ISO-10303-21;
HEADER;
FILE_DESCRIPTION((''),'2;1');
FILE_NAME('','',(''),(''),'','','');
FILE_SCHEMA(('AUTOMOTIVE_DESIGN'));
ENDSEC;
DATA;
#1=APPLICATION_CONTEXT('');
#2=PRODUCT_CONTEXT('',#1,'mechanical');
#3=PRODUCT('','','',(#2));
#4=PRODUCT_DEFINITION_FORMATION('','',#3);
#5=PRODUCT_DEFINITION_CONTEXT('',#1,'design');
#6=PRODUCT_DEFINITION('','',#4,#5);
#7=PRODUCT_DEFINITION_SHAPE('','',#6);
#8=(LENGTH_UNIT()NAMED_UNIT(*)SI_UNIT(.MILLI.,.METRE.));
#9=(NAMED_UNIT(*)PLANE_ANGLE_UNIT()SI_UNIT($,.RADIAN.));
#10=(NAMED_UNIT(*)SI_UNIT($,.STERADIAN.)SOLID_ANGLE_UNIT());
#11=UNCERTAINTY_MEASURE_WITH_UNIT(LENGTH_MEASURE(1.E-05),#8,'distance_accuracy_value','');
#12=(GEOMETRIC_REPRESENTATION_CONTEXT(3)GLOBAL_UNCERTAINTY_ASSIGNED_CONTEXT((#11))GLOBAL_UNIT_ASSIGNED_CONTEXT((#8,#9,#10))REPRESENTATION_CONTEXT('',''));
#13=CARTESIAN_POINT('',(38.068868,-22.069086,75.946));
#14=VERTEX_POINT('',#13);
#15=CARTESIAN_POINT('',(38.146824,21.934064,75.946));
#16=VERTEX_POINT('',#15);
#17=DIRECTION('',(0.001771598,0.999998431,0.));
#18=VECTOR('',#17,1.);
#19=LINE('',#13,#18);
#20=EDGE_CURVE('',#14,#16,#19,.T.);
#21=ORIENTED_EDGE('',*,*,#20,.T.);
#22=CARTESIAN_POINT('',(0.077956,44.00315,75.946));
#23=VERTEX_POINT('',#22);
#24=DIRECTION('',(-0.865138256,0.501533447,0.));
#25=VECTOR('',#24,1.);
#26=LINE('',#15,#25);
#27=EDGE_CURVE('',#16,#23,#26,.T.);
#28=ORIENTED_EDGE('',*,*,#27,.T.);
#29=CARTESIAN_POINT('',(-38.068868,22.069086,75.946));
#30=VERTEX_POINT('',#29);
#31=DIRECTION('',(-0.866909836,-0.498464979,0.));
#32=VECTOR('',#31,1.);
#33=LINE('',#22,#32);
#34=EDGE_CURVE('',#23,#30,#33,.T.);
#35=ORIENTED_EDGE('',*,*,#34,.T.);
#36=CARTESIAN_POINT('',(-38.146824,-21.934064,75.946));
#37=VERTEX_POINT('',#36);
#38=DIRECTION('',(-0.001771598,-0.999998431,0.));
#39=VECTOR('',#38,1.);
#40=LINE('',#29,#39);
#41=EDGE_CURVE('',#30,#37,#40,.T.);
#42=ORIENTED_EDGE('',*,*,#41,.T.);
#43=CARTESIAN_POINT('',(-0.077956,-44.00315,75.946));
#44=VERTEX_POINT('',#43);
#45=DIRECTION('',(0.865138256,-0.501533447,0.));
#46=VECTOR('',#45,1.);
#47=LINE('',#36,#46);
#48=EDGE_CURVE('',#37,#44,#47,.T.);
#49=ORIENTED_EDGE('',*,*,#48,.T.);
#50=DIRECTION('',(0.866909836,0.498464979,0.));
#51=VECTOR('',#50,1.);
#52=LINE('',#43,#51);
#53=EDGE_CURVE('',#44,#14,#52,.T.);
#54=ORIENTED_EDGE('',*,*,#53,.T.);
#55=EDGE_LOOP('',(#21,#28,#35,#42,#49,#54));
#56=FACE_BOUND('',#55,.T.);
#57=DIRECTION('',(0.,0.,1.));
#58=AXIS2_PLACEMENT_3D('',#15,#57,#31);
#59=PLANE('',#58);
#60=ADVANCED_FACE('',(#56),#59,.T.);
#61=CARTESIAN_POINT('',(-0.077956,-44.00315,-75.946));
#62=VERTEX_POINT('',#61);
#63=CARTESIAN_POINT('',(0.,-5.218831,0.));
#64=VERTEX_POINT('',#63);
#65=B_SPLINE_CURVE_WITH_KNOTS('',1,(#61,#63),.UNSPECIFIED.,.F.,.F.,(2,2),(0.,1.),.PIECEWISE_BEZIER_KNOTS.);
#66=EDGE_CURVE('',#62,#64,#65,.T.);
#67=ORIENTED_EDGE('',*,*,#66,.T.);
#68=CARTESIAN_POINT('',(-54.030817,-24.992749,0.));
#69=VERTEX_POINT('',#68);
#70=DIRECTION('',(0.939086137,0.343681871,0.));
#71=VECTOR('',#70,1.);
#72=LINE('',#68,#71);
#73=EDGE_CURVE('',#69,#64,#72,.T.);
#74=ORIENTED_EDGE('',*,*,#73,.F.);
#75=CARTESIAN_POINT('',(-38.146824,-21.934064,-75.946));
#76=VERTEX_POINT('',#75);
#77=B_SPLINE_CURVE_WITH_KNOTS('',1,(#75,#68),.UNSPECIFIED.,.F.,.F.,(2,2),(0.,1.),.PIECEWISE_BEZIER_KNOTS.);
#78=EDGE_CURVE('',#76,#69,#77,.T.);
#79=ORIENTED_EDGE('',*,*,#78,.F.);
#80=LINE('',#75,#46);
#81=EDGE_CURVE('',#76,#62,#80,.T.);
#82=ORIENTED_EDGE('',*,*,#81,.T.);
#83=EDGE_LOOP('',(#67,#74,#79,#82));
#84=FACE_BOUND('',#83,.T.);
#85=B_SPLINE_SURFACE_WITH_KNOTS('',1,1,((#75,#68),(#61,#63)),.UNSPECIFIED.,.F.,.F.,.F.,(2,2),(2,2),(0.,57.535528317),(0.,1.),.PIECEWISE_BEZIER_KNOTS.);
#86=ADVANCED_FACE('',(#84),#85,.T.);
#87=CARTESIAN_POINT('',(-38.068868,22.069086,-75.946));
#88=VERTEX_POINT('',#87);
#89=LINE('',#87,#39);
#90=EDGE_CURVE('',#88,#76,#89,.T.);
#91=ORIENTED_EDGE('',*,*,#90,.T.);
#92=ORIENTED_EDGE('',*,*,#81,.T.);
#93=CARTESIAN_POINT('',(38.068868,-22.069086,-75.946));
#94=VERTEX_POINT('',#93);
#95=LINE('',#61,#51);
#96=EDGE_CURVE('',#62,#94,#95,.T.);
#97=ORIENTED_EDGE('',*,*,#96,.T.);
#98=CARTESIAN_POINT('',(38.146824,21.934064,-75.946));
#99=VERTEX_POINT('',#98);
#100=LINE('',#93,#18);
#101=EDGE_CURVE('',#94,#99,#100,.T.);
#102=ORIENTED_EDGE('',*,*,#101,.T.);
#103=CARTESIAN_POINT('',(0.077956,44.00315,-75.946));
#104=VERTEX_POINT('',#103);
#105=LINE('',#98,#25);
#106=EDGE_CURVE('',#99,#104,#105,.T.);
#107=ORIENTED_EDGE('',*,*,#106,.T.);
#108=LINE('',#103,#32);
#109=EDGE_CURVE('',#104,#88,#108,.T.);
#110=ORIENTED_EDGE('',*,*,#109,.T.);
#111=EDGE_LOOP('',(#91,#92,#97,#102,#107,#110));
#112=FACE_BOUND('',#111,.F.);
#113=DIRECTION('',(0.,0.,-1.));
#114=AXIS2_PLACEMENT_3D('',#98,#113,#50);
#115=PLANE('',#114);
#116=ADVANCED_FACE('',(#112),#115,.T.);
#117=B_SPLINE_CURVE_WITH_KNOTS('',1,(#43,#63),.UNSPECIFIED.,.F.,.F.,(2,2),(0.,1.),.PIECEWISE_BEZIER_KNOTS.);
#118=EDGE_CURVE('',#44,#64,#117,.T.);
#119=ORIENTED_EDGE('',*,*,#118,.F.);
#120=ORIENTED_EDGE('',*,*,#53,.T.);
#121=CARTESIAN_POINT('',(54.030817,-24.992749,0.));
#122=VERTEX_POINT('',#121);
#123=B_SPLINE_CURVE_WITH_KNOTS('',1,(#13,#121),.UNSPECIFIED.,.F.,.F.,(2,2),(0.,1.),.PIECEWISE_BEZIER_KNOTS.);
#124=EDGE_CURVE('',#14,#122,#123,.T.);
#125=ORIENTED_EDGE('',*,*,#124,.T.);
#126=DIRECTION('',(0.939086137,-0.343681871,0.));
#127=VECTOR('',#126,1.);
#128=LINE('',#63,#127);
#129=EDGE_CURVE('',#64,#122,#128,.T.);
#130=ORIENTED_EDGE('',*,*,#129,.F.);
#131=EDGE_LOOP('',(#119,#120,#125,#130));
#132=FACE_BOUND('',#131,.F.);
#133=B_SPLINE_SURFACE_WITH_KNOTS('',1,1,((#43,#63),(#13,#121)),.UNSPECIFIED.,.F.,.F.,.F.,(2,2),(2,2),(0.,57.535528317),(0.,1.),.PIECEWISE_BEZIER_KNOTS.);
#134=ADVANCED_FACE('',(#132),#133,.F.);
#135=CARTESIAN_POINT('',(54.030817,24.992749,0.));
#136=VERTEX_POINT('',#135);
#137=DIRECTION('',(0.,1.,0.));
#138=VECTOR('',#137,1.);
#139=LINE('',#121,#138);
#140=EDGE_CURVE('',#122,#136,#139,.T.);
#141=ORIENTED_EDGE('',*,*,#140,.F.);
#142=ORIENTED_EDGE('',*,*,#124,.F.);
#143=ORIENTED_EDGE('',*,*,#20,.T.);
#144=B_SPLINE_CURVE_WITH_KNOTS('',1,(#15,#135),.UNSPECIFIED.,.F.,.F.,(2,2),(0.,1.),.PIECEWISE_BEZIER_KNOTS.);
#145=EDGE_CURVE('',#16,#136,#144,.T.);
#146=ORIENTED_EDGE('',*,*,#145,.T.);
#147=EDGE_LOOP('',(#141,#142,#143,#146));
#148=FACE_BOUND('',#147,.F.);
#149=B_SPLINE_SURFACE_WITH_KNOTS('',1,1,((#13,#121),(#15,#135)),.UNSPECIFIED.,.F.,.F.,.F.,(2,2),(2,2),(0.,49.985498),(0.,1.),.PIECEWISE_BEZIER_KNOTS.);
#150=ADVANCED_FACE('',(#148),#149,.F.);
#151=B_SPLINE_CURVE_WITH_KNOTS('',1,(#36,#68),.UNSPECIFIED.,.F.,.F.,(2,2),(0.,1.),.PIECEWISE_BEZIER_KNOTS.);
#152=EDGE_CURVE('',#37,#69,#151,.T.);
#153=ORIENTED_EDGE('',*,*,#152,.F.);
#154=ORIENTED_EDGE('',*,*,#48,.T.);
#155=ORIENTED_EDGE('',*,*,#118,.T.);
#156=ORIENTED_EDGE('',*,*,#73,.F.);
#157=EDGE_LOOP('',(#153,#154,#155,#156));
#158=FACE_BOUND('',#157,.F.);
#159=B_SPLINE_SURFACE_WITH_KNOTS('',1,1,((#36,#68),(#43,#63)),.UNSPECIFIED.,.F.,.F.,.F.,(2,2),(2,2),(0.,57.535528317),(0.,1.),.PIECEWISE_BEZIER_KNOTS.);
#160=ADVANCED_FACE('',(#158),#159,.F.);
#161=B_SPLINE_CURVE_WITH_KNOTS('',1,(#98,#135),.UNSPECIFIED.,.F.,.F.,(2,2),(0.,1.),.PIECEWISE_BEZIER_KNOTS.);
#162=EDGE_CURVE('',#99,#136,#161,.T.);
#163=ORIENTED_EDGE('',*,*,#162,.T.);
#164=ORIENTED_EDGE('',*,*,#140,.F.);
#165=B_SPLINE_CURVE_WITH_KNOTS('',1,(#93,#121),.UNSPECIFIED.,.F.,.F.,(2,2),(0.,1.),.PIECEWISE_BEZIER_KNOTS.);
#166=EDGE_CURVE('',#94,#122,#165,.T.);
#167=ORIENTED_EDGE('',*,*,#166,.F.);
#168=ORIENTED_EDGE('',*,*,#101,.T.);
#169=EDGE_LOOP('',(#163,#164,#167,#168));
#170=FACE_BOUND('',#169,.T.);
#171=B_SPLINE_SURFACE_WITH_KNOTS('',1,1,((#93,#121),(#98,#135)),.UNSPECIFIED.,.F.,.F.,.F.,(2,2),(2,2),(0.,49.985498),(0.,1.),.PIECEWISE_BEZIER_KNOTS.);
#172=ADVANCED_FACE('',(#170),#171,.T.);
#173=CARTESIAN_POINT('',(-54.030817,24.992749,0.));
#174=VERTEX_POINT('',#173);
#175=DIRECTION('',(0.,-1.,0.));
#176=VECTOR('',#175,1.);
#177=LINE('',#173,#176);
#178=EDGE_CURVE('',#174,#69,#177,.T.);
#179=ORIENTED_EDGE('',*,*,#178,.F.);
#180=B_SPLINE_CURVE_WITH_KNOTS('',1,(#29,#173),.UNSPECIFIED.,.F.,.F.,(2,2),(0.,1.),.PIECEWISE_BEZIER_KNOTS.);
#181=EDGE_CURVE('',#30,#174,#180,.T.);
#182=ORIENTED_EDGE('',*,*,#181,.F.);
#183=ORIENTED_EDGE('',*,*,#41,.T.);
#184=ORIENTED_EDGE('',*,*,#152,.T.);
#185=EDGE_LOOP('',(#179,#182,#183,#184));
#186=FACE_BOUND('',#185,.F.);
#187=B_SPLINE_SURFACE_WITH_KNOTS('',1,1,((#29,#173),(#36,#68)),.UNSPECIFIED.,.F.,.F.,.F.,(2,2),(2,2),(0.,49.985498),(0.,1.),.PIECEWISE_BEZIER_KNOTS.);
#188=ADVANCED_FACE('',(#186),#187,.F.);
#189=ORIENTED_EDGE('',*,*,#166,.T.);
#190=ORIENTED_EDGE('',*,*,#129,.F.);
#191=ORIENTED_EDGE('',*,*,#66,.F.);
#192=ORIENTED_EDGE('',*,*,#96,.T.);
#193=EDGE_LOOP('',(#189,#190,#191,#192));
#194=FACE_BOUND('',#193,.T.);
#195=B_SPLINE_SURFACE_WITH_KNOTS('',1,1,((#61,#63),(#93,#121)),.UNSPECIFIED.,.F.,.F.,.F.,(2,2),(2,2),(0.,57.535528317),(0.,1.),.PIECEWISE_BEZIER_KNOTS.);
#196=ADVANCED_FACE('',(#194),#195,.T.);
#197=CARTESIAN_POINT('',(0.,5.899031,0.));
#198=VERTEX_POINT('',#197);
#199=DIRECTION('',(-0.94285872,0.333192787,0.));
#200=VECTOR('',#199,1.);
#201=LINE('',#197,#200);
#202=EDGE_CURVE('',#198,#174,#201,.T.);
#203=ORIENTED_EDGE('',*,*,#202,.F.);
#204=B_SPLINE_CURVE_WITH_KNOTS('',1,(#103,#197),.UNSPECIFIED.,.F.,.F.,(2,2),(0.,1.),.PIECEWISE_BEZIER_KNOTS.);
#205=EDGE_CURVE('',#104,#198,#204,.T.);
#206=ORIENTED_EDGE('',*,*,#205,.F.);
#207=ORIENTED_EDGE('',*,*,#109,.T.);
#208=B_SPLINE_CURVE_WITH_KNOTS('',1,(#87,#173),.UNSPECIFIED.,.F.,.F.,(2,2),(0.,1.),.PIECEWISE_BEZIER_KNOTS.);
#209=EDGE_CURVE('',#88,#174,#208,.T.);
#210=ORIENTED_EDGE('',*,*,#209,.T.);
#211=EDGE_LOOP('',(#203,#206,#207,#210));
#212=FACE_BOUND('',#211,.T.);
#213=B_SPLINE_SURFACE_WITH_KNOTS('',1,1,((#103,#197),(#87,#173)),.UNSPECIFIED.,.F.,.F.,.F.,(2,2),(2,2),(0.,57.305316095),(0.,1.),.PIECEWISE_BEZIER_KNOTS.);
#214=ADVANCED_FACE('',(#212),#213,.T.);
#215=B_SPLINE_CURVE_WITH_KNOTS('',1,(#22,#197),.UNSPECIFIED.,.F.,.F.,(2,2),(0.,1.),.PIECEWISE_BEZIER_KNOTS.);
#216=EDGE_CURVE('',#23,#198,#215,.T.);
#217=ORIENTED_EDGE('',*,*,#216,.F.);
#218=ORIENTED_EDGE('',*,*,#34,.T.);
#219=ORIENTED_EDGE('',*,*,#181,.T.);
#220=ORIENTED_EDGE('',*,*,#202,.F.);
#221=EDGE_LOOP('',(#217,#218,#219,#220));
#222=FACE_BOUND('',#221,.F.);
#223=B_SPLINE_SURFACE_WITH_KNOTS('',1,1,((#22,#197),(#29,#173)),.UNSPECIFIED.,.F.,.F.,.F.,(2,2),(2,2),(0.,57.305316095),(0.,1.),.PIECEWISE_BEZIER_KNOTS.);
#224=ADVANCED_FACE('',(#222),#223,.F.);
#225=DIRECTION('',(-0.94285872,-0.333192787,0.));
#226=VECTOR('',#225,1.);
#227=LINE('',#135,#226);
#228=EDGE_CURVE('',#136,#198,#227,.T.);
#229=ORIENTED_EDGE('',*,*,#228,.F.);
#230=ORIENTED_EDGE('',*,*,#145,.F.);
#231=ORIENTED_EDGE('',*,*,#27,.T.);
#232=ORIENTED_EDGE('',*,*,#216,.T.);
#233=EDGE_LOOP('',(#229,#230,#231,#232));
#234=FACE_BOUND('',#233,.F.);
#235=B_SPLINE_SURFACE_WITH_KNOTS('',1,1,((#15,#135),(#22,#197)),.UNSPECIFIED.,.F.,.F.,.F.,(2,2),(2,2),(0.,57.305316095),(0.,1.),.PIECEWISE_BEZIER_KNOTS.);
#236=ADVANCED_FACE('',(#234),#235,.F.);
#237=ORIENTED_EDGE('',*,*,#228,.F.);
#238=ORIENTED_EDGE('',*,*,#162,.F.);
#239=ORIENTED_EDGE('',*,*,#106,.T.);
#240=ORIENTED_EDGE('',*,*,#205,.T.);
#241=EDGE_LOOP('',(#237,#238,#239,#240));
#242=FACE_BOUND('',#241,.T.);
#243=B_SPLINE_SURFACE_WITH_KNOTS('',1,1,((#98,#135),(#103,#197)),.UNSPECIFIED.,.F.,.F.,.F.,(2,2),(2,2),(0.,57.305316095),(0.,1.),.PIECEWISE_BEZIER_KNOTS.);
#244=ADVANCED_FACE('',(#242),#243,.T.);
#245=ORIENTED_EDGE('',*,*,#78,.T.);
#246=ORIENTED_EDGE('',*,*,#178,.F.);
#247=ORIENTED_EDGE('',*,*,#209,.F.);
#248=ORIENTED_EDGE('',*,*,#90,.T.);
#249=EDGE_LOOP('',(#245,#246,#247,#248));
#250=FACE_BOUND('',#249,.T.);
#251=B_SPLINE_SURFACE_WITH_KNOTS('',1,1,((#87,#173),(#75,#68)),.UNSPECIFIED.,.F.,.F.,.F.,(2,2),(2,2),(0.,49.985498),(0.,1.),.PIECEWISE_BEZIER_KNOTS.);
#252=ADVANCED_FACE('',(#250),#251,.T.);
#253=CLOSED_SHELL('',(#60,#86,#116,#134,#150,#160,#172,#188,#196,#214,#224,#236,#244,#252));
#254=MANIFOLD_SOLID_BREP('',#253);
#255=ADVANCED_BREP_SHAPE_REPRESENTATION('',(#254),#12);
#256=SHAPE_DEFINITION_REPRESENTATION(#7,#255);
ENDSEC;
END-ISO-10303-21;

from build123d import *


with BuildPart() as f3:
    # F2 (on offset) → F3 section 0
    with BuildSketch(Plane.XY.offset(75.946)):
        Polygon((38.146824, 21.934064), (0.077956, 44.00315), (-38.068868, 22.069086), (-38.146824, -21.934064), (-0.077956, -44.00315), (38.068868, -22.069086), align=None)
    # F0 (on Top) → F3 section 1
    with BuildSketch(Plane.XY):
        Polygon((54.030817, -24.992749), (54.030817, 24.992749), (0, 5.899031), (-54.030817, 24.992749), (-54.030817, -24.992749), (0, -5.218831), align=None)
    loft()

    # F4: F3 across plane


with BuildPart() as f3_1:
    add(f3.part)
    add(f3.part.mirror(Plane.XY))


solid = f3_1.part
